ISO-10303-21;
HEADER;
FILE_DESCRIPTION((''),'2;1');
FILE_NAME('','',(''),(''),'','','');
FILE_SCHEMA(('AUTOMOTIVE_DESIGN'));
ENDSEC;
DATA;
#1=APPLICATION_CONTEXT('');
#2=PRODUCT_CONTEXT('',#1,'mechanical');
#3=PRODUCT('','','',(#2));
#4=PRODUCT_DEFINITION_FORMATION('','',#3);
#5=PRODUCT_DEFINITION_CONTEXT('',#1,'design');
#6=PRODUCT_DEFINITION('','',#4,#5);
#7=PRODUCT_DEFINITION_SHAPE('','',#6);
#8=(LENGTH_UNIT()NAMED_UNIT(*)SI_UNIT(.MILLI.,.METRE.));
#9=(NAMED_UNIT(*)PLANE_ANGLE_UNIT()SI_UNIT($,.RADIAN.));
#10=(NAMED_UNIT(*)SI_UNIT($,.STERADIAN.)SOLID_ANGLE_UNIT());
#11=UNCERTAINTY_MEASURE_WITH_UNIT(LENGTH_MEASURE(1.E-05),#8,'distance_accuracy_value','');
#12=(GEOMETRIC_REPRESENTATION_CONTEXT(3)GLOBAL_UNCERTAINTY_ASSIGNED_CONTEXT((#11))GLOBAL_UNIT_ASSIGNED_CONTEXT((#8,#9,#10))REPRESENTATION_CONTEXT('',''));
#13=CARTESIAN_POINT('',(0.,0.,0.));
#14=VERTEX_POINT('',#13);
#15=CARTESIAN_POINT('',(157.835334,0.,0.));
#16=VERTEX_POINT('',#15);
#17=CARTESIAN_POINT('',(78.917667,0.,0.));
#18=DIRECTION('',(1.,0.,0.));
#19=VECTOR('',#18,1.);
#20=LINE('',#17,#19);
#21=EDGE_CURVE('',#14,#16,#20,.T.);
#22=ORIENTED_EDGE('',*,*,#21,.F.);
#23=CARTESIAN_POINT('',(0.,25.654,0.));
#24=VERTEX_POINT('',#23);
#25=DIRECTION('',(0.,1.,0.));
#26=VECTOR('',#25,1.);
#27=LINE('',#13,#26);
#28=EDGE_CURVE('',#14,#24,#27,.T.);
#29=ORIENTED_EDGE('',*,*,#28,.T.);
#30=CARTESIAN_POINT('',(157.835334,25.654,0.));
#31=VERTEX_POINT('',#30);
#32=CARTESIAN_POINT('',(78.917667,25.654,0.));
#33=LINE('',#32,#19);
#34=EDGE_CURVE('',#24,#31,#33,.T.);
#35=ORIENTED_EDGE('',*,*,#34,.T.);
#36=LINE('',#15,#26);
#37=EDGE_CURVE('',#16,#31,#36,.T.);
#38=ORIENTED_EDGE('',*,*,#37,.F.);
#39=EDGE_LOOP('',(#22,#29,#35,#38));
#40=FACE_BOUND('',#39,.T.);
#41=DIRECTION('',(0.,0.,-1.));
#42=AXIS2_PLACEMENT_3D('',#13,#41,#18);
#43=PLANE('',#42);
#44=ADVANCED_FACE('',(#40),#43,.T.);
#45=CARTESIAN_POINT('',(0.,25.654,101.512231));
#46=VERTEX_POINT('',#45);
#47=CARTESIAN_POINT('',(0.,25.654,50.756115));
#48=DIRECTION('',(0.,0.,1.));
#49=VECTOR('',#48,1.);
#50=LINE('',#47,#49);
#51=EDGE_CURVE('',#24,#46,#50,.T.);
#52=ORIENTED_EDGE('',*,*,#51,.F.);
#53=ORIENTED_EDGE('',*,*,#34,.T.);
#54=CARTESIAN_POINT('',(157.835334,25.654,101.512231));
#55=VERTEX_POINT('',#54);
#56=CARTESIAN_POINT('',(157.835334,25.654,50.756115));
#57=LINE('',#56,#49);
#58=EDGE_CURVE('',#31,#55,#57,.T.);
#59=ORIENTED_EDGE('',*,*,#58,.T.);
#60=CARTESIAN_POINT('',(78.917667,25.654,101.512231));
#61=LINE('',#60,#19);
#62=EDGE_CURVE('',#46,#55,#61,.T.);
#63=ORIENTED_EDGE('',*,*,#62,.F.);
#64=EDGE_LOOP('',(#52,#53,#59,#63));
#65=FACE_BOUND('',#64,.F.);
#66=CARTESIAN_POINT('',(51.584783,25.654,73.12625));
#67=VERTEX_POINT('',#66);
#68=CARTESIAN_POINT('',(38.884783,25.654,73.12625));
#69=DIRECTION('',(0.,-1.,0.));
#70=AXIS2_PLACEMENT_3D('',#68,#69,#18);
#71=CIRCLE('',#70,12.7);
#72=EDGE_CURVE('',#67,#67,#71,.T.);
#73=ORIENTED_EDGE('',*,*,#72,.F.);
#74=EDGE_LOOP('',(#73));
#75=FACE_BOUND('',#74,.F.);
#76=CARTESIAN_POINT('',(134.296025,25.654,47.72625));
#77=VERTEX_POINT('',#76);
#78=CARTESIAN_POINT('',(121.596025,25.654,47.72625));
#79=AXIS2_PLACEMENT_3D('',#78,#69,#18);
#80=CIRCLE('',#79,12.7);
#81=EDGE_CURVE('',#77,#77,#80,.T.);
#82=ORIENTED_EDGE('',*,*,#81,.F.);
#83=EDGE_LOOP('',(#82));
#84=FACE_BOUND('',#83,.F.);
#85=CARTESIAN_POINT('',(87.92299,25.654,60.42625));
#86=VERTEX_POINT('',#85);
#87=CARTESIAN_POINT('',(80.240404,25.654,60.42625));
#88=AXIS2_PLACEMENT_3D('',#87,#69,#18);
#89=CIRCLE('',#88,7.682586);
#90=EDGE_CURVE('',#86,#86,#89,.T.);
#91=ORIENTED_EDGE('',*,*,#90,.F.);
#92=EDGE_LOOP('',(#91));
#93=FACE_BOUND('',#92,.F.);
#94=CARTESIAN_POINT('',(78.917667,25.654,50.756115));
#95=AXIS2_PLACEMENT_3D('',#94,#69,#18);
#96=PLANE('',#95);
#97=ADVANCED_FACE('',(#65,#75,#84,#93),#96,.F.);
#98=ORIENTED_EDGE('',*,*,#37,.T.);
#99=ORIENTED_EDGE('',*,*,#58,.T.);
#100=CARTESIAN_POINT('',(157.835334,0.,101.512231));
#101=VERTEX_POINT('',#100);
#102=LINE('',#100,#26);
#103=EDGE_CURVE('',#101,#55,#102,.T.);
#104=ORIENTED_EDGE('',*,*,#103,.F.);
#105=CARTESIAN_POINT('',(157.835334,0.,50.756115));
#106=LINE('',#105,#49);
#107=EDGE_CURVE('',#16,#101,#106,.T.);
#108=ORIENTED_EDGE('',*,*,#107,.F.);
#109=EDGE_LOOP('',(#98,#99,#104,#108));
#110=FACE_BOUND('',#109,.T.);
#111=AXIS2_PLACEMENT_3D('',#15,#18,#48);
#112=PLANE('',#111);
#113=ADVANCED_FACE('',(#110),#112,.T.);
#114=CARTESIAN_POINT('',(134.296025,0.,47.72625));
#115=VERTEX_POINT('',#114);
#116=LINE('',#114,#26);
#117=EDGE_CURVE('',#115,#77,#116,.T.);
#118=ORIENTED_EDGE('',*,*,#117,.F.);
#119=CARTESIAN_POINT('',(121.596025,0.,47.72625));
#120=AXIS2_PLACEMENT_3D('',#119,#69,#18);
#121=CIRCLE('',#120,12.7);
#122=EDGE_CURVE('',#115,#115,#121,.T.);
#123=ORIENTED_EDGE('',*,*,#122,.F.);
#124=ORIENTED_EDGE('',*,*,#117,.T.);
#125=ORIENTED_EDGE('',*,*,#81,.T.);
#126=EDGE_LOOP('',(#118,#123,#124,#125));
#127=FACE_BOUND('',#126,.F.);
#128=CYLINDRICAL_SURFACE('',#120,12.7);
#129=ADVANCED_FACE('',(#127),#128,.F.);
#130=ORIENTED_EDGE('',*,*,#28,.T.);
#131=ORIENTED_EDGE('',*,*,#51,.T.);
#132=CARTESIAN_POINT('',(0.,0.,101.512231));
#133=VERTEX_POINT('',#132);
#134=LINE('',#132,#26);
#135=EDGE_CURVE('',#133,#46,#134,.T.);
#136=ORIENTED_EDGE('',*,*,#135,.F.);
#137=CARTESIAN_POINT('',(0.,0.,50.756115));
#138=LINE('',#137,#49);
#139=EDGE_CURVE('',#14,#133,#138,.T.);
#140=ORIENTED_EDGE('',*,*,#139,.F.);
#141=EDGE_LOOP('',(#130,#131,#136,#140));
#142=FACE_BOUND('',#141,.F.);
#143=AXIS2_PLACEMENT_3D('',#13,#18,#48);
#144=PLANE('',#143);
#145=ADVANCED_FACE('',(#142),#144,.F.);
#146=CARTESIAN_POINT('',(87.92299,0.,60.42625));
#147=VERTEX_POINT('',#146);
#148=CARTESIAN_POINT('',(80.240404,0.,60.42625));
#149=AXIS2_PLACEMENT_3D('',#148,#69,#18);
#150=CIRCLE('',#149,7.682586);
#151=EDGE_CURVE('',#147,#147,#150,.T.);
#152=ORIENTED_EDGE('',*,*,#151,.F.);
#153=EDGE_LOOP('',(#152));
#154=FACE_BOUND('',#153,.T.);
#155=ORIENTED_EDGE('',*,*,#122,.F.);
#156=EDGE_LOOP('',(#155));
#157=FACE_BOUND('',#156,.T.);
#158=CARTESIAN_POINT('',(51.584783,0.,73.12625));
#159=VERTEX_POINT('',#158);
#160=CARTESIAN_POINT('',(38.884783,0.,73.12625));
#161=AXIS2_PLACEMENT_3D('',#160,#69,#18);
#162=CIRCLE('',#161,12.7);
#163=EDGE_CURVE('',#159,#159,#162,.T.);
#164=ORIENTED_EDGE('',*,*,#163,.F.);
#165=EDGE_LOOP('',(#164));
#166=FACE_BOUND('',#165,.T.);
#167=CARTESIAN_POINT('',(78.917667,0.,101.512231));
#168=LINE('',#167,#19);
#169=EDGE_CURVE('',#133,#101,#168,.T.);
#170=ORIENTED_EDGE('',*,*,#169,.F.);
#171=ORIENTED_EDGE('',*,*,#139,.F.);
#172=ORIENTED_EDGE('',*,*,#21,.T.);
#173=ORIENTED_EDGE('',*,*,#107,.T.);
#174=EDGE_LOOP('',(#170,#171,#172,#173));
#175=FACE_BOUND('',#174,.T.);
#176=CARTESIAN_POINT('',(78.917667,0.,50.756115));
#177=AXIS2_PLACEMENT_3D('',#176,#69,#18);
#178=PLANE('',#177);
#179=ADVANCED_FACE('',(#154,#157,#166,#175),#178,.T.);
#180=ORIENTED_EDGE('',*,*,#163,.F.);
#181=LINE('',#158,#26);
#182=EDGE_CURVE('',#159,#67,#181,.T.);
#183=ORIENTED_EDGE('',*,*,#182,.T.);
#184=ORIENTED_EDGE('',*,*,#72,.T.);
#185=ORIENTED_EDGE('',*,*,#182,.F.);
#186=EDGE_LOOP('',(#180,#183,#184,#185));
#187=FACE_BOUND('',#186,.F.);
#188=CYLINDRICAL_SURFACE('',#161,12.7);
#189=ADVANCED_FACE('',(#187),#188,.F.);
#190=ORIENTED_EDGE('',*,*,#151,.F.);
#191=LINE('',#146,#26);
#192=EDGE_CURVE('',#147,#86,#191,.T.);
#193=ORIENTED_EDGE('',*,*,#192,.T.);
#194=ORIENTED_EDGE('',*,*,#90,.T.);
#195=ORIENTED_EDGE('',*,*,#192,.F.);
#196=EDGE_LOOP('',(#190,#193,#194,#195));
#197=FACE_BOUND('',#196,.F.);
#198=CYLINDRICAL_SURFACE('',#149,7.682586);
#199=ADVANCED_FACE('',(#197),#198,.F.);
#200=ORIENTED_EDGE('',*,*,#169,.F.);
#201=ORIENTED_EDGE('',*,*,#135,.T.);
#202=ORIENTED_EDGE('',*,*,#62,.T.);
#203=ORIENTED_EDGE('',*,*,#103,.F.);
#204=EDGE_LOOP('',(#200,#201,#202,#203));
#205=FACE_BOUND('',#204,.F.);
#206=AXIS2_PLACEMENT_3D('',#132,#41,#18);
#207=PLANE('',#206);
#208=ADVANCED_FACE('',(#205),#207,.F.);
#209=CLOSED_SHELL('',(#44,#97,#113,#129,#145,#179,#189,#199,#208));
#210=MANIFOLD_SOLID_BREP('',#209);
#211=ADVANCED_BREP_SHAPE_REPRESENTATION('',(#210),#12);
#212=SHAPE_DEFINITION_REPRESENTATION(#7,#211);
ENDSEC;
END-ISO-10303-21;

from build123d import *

# Parameters (mm, degrees)
F0_W     = 157.835335
F0_H     = 101.512231
F1_DEPTH = 25.654
F2_R     = 12.7
F2_R_2   = 7.682586
F3_DEPTH = 25.655


with BuildPart() as f1:
    # F0 (on Front) → F1 (new body)
    with BuildSketch(Plane.XZ):
        with Locations((78.917667, 50.756115)):
            Rectangle(F0_W, F0_H)
    extrude(amount=-F1_DEPTH)

    # F2 (on face) → F3 (cut, through all)
    with BuildSketch(Plane.XZ):
        with Locations((38.884783, 73.12625)):
            Circle(F2_R)
        with Locations((121.596025, 47.72625)):
            Circle(F2_R)
        with Locations((80.240404, 60.42625)):
            Circle(F2_R_2)
    extrude(amount=-F3_DEPTH, mode=Mode.SUBTRACT)


solid = f1.part
